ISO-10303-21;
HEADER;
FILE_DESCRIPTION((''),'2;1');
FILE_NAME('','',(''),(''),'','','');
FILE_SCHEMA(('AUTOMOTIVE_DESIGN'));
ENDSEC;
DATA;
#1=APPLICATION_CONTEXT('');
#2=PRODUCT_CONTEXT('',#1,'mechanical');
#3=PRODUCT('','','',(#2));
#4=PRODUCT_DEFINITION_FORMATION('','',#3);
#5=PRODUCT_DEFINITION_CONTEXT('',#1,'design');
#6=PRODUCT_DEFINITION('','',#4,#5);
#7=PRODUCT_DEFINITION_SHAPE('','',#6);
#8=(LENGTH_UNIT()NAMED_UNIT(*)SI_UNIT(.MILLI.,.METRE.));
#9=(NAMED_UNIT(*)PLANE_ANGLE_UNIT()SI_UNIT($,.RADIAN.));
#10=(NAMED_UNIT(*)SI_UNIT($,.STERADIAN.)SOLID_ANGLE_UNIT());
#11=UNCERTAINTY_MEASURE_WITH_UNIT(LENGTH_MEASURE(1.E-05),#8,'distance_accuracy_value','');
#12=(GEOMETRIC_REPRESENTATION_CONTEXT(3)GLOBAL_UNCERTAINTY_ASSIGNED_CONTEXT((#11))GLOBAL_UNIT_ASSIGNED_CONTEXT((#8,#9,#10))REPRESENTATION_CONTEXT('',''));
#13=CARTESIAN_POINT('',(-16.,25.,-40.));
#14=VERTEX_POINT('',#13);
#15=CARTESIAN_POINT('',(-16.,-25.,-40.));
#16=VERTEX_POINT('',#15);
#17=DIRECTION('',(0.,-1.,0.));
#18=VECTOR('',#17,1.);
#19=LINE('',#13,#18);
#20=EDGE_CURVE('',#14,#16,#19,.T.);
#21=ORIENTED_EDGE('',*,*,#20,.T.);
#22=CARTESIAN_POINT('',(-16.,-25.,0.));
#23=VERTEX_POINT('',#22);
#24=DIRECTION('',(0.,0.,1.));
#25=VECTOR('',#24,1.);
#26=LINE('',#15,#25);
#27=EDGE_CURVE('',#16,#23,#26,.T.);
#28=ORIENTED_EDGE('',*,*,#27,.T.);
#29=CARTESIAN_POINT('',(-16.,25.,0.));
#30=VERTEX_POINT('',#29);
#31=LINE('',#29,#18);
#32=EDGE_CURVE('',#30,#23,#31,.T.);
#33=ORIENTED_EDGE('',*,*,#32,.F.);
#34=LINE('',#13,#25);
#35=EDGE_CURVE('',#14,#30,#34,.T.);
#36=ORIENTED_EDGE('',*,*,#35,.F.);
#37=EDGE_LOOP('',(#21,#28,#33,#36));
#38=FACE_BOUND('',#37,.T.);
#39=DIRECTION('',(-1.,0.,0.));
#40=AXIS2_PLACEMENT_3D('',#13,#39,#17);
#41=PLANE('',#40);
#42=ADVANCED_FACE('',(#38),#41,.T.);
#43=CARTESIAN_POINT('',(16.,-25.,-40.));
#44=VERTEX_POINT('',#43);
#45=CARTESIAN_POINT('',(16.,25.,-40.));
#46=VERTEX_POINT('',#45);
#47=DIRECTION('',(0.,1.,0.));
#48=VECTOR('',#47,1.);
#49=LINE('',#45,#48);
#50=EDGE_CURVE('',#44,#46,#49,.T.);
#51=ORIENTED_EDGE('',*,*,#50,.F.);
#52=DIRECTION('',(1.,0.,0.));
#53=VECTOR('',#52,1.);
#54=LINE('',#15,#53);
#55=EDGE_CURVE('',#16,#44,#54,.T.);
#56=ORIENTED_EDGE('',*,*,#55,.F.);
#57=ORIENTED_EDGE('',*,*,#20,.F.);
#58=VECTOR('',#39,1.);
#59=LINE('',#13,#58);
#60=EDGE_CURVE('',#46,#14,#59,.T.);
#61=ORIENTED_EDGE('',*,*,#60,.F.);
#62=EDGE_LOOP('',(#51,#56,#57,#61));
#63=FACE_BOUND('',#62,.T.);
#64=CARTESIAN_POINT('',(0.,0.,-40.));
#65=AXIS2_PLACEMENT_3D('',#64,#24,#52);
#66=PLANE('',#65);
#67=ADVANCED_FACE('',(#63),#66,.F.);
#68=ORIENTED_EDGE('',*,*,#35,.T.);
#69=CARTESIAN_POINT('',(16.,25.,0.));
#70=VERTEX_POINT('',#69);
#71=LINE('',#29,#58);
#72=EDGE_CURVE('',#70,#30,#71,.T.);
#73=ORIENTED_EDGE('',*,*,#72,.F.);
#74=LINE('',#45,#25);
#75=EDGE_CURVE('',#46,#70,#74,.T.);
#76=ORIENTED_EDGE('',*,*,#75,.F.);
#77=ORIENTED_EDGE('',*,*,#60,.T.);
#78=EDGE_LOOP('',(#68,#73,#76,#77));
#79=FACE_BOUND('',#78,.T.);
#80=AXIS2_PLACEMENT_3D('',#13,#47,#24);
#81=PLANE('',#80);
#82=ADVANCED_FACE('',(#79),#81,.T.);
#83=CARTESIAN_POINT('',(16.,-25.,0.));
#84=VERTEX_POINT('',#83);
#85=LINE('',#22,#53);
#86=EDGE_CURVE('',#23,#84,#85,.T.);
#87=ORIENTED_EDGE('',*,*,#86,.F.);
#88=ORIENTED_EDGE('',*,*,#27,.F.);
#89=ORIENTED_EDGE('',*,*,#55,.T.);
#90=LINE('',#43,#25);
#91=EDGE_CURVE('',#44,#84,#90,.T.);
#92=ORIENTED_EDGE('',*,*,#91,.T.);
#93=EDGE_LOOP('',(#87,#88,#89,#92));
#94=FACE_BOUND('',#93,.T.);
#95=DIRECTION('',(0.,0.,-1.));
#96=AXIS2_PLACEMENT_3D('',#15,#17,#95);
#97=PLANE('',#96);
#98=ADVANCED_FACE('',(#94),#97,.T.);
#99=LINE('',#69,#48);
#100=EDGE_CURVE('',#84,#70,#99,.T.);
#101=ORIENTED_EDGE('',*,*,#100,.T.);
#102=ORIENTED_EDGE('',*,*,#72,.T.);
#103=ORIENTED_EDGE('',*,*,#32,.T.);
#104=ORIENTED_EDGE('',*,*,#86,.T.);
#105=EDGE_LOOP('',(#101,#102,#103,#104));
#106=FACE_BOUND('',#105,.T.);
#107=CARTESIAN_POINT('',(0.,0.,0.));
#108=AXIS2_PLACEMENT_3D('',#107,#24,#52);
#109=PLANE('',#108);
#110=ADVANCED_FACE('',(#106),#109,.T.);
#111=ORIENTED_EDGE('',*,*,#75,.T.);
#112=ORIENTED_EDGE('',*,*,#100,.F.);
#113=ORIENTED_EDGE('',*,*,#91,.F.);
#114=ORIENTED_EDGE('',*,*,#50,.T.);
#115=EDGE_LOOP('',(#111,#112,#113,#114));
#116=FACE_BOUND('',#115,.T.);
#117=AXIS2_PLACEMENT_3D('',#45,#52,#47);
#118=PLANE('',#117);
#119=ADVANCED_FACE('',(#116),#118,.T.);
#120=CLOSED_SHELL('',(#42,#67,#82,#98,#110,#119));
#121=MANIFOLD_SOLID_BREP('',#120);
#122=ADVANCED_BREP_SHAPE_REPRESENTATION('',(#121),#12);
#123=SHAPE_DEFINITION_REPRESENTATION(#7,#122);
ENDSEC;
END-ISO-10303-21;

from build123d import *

# Parameters (mm, degrees)
SKETCH1_W           = 32
SKETCH1_H           = 50
BOSS_EXTRUDE1_DEPTH = 40


with BuildPart() as part:
    # Sketch1 → Boss-Extrude1 (new body)
    with BuildSketch(Plane.XY):
        Rectangle(SKETCH1_W, SKETCH1_H)
    extrude(amount=-BOSS_EXTRUDE1_DEPTH)


solid = part.part
